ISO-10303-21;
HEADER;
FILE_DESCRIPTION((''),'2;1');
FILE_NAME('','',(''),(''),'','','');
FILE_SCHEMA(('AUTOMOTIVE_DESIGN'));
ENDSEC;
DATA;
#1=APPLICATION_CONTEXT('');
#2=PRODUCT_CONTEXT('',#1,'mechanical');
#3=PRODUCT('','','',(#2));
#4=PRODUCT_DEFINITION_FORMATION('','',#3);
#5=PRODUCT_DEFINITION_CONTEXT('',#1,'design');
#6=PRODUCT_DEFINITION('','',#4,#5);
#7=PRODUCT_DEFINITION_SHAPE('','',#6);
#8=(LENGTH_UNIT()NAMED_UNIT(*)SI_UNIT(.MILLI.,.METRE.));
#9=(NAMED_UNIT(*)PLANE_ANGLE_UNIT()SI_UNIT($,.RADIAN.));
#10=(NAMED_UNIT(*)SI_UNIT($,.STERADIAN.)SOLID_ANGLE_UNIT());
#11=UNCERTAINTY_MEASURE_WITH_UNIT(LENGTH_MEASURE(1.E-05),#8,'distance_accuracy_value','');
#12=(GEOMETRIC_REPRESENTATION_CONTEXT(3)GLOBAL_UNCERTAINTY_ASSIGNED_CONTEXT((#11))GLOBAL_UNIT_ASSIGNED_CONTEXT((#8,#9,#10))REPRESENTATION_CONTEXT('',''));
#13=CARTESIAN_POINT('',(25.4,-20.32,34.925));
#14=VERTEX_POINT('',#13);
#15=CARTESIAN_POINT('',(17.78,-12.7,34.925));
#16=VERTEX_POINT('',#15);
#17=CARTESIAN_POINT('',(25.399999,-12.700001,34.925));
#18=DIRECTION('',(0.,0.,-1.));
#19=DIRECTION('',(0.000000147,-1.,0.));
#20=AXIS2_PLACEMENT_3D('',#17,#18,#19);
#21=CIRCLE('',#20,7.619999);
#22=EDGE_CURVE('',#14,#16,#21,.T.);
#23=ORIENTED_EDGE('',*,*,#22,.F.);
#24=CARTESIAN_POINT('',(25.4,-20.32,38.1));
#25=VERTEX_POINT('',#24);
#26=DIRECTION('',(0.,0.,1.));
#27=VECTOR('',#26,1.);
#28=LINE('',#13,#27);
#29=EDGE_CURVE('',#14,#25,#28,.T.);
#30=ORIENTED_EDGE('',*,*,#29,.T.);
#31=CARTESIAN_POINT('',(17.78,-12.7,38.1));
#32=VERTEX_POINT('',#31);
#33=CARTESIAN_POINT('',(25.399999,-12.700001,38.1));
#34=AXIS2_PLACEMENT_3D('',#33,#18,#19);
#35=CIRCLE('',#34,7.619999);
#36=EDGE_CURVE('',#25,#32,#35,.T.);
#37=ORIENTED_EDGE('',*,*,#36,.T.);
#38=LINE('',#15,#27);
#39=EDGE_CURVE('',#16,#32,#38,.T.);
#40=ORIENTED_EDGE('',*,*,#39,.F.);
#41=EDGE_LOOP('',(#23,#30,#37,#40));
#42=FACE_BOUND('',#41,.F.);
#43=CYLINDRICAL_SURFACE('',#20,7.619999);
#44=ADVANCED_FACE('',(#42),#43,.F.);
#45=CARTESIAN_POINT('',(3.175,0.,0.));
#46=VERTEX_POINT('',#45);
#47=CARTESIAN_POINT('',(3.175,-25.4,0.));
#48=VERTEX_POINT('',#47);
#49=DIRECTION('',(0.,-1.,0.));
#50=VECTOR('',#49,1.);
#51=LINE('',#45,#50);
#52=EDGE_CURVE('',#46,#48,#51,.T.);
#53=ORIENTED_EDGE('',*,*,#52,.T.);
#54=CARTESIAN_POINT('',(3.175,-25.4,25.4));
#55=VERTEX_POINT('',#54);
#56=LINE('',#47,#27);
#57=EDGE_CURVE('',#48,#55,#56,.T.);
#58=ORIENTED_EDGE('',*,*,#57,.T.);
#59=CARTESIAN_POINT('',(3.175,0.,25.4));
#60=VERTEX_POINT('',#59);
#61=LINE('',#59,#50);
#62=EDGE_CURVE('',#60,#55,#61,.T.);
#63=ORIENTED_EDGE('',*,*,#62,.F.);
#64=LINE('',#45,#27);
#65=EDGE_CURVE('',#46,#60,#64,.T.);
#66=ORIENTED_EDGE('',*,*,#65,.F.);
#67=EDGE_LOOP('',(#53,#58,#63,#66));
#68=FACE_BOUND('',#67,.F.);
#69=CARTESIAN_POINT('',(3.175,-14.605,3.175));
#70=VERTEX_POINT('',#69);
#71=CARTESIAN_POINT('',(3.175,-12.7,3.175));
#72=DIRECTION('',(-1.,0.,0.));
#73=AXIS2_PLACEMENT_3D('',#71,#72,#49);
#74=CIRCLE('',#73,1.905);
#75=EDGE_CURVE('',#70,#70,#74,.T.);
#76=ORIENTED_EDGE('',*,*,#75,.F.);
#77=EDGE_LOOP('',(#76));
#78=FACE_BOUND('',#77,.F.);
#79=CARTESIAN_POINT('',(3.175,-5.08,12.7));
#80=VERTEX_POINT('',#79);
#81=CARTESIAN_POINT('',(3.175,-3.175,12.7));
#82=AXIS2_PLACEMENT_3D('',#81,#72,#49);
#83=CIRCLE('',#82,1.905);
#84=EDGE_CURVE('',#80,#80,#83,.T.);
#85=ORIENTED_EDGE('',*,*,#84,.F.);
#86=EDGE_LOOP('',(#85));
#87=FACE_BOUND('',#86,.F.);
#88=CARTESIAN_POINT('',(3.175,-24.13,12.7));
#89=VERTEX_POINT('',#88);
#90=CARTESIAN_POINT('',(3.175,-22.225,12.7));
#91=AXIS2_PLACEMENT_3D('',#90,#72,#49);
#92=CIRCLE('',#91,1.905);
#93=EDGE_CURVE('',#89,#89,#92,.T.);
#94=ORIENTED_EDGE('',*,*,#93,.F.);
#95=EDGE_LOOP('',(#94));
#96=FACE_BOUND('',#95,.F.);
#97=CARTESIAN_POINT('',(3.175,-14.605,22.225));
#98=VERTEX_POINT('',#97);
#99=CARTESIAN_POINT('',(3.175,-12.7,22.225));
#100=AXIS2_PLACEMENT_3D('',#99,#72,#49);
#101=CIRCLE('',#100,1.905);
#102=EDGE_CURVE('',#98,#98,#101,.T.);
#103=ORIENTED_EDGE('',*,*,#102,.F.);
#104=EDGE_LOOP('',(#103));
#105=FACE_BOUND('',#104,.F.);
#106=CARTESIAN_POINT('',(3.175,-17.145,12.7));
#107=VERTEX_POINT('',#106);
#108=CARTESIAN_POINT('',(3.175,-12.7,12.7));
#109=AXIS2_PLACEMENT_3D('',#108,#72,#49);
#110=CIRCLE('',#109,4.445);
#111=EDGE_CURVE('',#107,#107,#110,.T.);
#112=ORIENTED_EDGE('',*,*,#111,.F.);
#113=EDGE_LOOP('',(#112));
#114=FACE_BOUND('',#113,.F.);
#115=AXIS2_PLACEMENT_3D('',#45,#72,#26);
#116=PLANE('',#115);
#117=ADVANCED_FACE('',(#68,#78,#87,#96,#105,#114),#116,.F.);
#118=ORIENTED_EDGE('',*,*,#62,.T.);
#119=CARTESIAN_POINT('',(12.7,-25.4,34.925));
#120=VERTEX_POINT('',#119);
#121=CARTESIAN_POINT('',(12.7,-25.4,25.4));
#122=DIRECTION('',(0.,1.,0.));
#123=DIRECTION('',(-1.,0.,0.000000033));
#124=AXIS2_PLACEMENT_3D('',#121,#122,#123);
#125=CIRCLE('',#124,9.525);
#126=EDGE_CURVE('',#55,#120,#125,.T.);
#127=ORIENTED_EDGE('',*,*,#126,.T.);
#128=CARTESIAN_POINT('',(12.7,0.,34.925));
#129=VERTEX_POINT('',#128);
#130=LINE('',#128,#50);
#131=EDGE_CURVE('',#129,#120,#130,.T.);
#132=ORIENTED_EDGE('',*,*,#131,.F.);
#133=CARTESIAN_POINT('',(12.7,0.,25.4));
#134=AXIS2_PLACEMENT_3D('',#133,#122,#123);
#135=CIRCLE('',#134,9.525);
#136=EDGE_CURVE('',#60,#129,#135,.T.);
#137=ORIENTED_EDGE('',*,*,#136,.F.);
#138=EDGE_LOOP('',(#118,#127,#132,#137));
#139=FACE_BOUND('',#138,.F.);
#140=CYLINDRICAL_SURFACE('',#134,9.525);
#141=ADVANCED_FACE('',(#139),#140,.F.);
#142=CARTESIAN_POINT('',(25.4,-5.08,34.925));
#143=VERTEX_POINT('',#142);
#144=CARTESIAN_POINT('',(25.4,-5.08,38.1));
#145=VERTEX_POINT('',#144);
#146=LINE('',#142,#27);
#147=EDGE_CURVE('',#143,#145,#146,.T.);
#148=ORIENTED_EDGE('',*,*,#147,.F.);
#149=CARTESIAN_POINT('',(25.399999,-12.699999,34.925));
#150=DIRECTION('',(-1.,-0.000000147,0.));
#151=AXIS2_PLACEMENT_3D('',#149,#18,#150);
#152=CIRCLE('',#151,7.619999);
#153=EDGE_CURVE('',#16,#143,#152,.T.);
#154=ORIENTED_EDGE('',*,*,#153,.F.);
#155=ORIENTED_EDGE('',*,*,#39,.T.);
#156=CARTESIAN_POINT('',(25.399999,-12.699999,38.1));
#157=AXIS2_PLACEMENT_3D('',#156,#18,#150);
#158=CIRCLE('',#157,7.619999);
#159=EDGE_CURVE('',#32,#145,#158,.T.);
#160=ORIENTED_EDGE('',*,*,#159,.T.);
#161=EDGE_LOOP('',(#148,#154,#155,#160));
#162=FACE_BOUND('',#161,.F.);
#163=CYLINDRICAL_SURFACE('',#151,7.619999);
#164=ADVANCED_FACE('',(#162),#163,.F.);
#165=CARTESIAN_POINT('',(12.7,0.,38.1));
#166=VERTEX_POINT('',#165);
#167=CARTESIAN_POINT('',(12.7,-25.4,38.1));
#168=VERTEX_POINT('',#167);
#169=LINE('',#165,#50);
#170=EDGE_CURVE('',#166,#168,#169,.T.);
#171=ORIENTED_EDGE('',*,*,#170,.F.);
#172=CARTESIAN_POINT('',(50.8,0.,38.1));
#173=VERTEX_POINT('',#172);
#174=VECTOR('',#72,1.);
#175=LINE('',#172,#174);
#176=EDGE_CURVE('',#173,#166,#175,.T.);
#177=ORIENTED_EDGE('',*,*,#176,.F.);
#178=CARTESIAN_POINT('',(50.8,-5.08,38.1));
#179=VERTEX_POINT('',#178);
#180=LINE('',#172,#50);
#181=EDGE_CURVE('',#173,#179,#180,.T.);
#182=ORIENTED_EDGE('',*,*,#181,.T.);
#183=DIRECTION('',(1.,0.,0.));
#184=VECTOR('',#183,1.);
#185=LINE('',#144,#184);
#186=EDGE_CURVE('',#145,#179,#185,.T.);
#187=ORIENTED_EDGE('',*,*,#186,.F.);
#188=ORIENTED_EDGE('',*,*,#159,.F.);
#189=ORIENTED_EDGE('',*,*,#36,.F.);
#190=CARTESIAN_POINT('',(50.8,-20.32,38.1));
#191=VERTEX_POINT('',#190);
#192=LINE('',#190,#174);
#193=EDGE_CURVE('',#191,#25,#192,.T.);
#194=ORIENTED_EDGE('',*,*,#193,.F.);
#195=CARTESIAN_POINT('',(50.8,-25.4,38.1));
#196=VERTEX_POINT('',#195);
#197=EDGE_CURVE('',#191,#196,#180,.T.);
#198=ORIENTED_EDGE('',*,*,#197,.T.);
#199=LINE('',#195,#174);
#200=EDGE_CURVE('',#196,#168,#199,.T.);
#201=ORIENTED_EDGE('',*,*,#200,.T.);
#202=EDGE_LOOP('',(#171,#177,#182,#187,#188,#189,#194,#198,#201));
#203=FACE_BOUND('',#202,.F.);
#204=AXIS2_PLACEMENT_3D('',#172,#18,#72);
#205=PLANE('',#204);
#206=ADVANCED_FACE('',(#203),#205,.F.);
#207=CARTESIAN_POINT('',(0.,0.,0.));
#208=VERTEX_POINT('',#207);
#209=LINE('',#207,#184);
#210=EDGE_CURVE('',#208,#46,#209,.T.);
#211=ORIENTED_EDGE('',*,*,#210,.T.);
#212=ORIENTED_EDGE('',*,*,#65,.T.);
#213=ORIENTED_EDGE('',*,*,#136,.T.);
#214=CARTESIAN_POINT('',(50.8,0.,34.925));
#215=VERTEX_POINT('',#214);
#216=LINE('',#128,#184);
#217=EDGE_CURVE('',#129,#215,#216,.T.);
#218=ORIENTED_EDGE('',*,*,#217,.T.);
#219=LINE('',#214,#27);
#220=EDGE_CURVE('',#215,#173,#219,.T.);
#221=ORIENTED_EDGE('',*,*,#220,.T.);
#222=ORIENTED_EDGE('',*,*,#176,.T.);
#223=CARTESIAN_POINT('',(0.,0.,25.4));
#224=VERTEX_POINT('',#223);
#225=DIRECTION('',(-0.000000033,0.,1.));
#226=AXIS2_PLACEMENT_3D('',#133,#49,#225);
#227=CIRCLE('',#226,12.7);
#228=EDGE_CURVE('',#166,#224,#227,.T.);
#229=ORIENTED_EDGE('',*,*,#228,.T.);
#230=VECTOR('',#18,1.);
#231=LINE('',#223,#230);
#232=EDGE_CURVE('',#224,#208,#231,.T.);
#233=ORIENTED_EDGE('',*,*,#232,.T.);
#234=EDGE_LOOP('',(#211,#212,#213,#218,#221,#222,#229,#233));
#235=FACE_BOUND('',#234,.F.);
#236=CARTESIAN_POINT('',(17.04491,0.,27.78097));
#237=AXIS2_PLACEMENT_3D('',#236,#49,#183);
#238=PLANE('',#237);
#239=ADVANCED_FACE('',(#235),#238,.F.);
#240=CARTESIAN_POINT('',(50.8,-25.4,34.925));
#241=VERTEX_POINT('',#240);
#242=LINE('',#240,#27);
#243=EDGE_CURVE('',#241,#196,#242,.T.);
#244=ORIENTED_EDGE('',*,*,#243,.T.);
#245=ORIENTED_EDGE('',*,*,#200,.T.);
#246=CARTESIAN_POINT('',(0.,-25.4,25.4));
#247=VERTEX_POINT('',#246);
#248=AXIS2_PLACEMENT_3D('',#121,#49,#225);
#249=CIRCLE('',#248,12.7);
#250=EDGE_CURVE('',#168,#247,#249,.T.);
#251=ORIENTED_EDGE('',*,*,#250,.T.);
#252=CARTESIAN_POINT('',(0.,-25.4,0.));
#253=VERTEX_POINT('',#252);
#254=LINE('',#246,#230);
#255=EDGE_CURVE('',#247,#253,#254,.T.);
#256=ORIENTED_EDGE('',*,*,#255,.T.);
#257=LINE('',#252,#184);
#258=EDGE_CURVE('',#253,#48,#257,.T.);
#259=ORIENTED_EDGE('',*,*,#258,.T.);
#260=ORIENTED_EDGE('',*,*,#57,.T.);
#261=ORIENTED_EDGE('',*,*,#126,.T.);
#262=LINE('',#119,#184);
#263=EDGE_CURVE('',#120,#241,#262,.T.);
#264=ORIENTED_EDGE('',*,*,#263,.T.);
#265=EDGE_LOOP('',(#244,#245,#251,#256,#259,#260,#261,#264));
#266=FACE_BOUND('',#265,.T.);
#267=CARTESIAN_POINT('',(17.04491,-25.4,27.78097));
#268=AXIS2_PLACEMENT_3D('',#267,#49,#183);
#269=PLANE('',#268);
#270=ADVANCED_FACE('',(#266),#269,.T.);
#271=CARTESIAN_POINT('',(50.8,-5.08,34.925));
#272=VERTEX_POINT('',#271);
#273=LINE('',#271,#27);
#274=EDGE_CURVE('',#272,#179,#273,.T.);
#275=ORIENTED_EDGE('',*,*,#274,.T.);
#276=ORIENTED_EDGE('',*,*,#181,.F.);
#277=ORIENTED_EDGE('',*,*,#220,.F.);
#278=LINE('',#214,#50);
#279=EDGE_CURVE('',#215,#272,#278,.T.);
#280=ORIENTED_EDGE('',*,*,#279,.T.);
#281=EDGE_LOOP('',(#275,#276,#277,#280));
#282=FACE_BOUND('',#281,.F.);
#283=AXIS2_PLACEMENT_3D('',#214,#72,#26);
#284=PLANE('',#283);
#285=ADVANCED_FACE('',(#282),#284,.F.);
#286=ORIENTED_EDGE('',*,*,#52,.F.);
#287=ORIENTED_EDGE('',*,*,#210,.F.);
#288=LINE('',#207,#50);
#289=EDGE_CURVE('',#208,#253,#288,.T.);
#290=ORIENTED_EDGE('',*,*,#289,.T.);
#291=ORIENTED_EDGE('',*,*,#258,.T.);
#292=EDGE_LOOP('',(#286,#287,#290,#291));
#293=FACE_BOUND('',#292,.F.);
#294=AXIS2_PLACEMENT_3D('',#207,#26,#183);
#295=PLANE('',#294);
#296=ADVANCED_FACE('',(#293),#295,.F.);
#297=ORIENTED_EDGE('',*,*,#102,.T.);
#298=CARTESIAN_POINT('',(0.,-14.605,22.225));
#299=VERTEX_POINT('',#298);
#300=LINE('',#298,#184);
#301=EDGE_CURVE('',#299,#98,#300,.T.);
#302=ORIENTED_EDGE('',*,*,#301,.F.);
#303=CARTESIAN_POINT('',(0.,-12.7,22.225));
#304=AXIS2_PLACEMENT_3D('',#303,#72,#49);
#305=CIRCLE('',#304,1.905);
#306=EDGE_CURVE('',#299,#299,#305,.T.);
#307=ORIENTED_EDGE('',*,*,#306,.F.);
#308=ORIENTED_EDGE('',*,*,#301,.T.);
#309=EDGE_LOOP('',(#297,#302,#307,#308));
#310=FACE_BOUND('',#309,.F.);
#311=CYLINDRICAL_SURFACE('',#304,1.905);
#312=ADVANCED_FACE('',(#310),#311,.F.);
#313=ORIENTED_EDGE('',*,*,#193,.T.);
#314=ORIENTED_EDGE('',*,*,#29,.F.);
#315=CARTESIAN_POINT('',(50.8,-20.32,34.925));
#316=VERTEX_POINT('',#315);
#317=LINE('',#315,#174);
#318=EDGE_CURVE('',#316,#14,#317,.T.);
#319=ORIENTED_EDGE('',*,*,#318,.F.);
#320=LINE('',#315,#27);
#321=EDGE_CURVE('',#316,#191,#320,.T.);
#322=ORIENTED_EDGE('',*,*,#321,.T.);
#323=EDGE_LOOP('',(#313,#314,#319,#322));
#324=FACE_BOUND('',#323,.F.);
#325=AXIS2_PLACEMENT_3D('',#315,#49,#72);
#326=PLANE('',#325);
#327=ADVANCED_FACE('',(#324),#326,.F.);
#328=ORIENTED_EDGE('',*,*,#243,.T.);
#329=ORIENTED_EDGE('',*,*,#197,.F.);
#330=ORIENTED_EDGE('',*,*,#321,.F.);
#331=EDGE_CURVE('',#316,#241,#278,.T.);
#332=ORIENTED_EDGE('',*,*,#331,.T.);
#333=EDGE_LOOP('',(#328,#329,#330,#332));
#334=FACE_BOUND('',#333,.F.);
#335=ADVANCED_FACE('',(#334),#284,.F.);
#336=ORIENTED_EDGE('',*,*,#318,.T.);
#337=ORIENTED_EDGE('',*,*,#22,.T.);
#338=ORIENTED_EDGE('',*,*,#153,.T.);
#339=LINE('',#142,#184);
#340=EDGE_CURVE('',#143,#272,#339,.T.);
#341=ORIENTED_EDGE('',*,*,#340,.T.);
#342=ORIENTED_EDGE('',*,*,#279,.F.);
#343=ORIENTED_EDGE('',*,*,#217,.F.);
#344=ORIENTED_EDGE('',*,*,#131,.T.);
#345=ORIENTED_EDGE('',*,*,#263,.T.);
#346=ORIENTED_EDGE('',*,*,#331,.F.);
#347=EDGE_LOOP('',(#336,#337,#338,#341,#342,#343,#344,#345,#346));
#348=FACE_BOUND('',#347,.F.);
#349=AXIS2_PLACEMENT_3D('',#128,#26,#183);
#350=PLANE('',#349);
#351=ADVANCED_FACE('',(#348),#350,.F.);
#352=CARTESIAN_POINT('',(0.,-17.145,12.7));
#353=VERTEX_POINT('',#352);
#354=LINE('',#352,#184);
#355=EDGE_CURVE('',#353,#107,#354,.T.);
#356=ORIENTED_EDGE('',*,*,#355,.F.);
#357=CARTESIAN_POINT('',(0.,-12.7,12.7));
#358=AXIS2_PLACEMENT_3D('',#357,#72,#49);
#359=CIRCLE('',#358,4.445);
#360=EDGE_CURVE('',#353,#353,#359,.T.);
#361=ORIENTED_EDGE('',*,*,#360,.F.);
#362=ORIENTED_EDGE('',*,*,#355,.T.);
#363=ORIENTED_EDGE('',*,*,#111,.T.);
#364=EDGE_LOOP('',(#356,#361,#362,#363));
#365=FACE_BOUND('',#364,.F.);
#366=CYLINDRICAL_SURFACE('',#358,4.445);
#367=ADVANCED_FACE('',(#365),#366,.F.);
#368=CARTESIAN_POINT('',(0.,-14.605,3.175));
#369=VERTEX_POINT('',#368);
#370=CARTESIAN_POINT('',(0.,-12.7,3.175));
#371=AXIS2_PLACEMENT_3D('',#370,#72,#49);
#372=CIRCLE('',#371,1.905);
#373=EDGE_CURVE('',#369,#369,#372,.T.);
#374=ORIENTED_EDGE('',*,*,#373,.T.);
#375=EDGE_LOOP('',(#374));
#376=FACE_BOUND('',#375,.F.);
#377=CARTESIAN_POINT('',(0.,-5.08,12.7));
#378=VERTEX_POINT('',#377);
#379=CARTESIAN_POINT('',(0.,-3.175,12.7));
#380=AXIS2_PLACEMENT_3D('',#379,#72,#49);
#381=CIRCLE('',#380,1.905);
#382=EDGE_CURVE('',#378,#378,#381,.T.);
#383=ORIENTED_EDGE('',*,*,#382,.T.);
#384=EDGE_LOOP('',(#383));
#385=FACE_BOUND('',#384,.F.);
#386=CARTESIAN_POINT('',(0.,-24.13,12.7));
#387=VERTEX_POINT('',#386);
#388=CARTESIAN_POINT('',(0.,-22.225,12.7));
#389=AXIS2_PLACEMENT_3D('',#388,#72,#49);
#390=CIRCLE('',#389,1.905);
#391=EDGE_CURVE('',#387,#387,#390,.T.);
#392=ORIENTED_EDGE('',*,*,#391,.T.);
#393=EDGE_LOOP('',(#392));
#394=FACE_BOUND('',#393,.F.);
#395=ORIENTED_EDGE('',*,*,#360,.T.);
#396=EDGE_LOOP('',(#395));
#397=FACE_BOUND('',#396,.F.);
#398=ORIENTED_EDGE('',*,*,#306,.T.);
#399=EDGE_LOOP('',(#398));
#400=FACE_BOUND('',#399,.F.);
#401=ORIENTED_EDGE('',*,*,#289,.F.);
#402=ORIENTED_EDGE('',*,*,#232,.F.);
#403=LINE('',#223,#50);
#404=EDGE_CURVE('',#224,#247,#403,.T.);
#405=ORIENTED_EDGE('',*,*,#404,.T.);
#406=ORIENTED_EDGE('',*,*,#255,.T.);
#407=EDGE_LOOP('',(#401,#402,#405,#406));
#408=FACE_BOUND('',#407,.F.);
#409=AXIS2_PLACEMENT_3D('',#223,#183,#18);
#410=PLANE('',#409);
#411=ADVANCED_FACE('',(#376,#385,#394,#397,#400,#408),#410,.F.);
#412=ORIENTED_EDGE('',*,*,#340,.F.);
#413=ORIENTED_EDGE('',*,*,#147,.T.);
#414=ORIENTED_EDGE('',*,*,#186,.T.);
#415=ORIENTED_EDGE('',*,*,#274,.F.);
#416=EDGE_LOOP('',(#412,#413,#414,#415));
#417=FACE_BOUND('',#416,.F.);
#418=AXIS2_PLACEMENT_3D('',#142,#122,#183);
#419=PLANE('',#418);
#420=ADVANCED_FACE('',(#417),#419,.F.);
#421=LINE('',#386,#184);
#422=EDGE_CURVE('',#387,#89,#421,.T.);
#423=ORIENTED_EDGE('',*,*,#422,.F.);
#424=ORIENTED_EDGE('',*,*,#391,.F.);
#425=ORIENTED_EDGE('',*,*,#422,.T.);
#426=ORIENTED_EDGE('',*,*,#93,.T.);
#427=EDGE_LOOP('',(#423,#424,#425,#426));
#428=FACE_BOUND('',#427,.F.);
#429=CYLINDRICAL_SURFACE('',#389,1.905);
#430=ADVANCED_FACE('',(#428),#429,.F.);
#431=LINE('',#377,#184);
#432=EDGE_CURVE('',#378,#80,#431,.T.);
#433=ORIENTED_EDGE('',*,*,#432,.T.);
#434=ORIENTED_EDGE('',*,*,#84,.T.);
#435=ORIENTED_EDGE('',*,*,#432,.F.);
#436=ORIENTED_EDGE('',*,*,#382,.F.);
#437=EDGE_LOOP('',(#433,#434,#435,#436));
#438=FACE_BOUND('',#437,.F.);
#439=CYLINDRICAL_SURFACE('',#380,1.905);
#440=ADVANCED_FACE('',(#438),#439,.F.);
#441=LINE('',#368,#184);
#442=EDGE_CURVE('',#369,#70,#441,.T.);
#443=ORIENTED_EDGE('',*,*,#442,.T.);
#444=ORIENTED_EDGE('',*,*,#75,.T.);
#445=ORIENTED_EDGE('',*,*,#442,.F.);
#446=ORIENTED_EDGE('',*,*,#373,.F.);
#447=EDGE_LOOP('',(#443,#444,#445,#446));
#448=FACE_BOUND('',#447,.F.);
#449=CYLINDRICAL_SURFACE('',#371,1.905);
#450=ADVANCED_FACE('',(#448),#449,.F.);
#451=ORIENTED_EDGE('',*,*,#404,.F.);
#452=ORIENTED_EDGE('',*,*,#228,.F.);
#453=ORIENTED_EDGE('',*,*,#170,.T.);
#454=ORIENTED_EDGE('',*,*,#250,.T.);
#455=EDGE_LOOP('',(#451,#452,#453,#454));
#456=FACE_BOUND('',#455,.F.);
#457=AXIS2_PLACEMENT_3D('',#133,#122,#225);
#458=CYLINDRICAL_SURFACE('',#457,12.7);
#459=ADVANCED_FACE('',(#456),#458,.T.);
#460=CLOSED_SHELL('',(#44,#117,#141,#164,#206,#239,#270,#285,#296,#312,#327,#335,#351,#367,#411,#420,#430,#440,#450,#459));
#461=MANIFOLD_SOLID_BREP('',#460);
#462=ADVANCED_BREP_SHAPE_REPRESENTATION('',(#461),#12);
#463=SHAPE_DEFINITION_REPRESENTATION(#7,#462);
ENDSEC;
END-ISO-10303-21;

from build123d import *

# Parameters (mm, degrees)
F1_DEPTH = 25.4
F3_DEPTH = 3.175
F4_R     = 4.445
F4_R_2   = 1.905
F5_DEPTH = 3.175


with BuildPart() as f1:
    # F0 (on Front) → F1 (new body)
    with BuildSketch(Plane.XZ):
        with BuildLine():
            Line((0, 25.4), (0, 0))
            Line((0, 0), (3.175, 0))
            Line((3.175, 0), (3.175, 25.4))
            ThreePointArc((3.175, 25.4), (5.964808, 32.135192), (12.7, 34.925))
            Line((12.7, 34.925), (50.8, 34.925))
            Line((50.8, 34.925), (50.8, 38.1))
            Line((50.8, 38.1), (12.7, 38.1))
            ThreePointArc((12.7, 38.1), (3.719744, 34.380256), (0, 25.4))
        make_face()
    extrude(amount=F1_DEPTH)

    # F2 (on face) → F3 (cut, through all)
    with BuildSketch(Plane(origin=(0, 0, 34.925), x_dir=(1, 0, 0), z_dir=(0, 0, -1))):
        with BuildLine():
            Line((50.8, 5.08), (50.8, 20.32))
            Line((50.8, 20.32), (25.4, 20.32))
            ThreePointArc((25.4, 20.32), (20.011846, 18.088154), (17.78, 12.7))
            ThreePointArc((17.78, 12.7), (20.011846, 7.311846), (25.4, 5.08))
            Line((25.4, 5.08), (50.8, 5.08))
        make_face()
    extrude(amount=-F3_DEPTH, mode=Mode.SUBTRACT)

    # F4 (on face) → F5 (cut, through all)
    with BuildSketch(Plane(origin=(0, 0, 0), x_dir=(0, -1, 0), z_dir=(-1, 0, 0))):
        with Locations((12.7, 12.7)):
            Circle(F4_R)
        with Locations((22.225, 12.7)):
            Circle(F4_R_2)
        with Locations((12.7, 3.175)):
            Circle(F4_R_2)
        with Locations((3.175, 12.7)):
            Circle(F4_R_2)
        with Locations((12.7, 22.225)):
            Circle(F4_R_2)
    extrude(amount=-F5_DEPTH, mode=Mode.SUBTRACT)


solid = f1.part
